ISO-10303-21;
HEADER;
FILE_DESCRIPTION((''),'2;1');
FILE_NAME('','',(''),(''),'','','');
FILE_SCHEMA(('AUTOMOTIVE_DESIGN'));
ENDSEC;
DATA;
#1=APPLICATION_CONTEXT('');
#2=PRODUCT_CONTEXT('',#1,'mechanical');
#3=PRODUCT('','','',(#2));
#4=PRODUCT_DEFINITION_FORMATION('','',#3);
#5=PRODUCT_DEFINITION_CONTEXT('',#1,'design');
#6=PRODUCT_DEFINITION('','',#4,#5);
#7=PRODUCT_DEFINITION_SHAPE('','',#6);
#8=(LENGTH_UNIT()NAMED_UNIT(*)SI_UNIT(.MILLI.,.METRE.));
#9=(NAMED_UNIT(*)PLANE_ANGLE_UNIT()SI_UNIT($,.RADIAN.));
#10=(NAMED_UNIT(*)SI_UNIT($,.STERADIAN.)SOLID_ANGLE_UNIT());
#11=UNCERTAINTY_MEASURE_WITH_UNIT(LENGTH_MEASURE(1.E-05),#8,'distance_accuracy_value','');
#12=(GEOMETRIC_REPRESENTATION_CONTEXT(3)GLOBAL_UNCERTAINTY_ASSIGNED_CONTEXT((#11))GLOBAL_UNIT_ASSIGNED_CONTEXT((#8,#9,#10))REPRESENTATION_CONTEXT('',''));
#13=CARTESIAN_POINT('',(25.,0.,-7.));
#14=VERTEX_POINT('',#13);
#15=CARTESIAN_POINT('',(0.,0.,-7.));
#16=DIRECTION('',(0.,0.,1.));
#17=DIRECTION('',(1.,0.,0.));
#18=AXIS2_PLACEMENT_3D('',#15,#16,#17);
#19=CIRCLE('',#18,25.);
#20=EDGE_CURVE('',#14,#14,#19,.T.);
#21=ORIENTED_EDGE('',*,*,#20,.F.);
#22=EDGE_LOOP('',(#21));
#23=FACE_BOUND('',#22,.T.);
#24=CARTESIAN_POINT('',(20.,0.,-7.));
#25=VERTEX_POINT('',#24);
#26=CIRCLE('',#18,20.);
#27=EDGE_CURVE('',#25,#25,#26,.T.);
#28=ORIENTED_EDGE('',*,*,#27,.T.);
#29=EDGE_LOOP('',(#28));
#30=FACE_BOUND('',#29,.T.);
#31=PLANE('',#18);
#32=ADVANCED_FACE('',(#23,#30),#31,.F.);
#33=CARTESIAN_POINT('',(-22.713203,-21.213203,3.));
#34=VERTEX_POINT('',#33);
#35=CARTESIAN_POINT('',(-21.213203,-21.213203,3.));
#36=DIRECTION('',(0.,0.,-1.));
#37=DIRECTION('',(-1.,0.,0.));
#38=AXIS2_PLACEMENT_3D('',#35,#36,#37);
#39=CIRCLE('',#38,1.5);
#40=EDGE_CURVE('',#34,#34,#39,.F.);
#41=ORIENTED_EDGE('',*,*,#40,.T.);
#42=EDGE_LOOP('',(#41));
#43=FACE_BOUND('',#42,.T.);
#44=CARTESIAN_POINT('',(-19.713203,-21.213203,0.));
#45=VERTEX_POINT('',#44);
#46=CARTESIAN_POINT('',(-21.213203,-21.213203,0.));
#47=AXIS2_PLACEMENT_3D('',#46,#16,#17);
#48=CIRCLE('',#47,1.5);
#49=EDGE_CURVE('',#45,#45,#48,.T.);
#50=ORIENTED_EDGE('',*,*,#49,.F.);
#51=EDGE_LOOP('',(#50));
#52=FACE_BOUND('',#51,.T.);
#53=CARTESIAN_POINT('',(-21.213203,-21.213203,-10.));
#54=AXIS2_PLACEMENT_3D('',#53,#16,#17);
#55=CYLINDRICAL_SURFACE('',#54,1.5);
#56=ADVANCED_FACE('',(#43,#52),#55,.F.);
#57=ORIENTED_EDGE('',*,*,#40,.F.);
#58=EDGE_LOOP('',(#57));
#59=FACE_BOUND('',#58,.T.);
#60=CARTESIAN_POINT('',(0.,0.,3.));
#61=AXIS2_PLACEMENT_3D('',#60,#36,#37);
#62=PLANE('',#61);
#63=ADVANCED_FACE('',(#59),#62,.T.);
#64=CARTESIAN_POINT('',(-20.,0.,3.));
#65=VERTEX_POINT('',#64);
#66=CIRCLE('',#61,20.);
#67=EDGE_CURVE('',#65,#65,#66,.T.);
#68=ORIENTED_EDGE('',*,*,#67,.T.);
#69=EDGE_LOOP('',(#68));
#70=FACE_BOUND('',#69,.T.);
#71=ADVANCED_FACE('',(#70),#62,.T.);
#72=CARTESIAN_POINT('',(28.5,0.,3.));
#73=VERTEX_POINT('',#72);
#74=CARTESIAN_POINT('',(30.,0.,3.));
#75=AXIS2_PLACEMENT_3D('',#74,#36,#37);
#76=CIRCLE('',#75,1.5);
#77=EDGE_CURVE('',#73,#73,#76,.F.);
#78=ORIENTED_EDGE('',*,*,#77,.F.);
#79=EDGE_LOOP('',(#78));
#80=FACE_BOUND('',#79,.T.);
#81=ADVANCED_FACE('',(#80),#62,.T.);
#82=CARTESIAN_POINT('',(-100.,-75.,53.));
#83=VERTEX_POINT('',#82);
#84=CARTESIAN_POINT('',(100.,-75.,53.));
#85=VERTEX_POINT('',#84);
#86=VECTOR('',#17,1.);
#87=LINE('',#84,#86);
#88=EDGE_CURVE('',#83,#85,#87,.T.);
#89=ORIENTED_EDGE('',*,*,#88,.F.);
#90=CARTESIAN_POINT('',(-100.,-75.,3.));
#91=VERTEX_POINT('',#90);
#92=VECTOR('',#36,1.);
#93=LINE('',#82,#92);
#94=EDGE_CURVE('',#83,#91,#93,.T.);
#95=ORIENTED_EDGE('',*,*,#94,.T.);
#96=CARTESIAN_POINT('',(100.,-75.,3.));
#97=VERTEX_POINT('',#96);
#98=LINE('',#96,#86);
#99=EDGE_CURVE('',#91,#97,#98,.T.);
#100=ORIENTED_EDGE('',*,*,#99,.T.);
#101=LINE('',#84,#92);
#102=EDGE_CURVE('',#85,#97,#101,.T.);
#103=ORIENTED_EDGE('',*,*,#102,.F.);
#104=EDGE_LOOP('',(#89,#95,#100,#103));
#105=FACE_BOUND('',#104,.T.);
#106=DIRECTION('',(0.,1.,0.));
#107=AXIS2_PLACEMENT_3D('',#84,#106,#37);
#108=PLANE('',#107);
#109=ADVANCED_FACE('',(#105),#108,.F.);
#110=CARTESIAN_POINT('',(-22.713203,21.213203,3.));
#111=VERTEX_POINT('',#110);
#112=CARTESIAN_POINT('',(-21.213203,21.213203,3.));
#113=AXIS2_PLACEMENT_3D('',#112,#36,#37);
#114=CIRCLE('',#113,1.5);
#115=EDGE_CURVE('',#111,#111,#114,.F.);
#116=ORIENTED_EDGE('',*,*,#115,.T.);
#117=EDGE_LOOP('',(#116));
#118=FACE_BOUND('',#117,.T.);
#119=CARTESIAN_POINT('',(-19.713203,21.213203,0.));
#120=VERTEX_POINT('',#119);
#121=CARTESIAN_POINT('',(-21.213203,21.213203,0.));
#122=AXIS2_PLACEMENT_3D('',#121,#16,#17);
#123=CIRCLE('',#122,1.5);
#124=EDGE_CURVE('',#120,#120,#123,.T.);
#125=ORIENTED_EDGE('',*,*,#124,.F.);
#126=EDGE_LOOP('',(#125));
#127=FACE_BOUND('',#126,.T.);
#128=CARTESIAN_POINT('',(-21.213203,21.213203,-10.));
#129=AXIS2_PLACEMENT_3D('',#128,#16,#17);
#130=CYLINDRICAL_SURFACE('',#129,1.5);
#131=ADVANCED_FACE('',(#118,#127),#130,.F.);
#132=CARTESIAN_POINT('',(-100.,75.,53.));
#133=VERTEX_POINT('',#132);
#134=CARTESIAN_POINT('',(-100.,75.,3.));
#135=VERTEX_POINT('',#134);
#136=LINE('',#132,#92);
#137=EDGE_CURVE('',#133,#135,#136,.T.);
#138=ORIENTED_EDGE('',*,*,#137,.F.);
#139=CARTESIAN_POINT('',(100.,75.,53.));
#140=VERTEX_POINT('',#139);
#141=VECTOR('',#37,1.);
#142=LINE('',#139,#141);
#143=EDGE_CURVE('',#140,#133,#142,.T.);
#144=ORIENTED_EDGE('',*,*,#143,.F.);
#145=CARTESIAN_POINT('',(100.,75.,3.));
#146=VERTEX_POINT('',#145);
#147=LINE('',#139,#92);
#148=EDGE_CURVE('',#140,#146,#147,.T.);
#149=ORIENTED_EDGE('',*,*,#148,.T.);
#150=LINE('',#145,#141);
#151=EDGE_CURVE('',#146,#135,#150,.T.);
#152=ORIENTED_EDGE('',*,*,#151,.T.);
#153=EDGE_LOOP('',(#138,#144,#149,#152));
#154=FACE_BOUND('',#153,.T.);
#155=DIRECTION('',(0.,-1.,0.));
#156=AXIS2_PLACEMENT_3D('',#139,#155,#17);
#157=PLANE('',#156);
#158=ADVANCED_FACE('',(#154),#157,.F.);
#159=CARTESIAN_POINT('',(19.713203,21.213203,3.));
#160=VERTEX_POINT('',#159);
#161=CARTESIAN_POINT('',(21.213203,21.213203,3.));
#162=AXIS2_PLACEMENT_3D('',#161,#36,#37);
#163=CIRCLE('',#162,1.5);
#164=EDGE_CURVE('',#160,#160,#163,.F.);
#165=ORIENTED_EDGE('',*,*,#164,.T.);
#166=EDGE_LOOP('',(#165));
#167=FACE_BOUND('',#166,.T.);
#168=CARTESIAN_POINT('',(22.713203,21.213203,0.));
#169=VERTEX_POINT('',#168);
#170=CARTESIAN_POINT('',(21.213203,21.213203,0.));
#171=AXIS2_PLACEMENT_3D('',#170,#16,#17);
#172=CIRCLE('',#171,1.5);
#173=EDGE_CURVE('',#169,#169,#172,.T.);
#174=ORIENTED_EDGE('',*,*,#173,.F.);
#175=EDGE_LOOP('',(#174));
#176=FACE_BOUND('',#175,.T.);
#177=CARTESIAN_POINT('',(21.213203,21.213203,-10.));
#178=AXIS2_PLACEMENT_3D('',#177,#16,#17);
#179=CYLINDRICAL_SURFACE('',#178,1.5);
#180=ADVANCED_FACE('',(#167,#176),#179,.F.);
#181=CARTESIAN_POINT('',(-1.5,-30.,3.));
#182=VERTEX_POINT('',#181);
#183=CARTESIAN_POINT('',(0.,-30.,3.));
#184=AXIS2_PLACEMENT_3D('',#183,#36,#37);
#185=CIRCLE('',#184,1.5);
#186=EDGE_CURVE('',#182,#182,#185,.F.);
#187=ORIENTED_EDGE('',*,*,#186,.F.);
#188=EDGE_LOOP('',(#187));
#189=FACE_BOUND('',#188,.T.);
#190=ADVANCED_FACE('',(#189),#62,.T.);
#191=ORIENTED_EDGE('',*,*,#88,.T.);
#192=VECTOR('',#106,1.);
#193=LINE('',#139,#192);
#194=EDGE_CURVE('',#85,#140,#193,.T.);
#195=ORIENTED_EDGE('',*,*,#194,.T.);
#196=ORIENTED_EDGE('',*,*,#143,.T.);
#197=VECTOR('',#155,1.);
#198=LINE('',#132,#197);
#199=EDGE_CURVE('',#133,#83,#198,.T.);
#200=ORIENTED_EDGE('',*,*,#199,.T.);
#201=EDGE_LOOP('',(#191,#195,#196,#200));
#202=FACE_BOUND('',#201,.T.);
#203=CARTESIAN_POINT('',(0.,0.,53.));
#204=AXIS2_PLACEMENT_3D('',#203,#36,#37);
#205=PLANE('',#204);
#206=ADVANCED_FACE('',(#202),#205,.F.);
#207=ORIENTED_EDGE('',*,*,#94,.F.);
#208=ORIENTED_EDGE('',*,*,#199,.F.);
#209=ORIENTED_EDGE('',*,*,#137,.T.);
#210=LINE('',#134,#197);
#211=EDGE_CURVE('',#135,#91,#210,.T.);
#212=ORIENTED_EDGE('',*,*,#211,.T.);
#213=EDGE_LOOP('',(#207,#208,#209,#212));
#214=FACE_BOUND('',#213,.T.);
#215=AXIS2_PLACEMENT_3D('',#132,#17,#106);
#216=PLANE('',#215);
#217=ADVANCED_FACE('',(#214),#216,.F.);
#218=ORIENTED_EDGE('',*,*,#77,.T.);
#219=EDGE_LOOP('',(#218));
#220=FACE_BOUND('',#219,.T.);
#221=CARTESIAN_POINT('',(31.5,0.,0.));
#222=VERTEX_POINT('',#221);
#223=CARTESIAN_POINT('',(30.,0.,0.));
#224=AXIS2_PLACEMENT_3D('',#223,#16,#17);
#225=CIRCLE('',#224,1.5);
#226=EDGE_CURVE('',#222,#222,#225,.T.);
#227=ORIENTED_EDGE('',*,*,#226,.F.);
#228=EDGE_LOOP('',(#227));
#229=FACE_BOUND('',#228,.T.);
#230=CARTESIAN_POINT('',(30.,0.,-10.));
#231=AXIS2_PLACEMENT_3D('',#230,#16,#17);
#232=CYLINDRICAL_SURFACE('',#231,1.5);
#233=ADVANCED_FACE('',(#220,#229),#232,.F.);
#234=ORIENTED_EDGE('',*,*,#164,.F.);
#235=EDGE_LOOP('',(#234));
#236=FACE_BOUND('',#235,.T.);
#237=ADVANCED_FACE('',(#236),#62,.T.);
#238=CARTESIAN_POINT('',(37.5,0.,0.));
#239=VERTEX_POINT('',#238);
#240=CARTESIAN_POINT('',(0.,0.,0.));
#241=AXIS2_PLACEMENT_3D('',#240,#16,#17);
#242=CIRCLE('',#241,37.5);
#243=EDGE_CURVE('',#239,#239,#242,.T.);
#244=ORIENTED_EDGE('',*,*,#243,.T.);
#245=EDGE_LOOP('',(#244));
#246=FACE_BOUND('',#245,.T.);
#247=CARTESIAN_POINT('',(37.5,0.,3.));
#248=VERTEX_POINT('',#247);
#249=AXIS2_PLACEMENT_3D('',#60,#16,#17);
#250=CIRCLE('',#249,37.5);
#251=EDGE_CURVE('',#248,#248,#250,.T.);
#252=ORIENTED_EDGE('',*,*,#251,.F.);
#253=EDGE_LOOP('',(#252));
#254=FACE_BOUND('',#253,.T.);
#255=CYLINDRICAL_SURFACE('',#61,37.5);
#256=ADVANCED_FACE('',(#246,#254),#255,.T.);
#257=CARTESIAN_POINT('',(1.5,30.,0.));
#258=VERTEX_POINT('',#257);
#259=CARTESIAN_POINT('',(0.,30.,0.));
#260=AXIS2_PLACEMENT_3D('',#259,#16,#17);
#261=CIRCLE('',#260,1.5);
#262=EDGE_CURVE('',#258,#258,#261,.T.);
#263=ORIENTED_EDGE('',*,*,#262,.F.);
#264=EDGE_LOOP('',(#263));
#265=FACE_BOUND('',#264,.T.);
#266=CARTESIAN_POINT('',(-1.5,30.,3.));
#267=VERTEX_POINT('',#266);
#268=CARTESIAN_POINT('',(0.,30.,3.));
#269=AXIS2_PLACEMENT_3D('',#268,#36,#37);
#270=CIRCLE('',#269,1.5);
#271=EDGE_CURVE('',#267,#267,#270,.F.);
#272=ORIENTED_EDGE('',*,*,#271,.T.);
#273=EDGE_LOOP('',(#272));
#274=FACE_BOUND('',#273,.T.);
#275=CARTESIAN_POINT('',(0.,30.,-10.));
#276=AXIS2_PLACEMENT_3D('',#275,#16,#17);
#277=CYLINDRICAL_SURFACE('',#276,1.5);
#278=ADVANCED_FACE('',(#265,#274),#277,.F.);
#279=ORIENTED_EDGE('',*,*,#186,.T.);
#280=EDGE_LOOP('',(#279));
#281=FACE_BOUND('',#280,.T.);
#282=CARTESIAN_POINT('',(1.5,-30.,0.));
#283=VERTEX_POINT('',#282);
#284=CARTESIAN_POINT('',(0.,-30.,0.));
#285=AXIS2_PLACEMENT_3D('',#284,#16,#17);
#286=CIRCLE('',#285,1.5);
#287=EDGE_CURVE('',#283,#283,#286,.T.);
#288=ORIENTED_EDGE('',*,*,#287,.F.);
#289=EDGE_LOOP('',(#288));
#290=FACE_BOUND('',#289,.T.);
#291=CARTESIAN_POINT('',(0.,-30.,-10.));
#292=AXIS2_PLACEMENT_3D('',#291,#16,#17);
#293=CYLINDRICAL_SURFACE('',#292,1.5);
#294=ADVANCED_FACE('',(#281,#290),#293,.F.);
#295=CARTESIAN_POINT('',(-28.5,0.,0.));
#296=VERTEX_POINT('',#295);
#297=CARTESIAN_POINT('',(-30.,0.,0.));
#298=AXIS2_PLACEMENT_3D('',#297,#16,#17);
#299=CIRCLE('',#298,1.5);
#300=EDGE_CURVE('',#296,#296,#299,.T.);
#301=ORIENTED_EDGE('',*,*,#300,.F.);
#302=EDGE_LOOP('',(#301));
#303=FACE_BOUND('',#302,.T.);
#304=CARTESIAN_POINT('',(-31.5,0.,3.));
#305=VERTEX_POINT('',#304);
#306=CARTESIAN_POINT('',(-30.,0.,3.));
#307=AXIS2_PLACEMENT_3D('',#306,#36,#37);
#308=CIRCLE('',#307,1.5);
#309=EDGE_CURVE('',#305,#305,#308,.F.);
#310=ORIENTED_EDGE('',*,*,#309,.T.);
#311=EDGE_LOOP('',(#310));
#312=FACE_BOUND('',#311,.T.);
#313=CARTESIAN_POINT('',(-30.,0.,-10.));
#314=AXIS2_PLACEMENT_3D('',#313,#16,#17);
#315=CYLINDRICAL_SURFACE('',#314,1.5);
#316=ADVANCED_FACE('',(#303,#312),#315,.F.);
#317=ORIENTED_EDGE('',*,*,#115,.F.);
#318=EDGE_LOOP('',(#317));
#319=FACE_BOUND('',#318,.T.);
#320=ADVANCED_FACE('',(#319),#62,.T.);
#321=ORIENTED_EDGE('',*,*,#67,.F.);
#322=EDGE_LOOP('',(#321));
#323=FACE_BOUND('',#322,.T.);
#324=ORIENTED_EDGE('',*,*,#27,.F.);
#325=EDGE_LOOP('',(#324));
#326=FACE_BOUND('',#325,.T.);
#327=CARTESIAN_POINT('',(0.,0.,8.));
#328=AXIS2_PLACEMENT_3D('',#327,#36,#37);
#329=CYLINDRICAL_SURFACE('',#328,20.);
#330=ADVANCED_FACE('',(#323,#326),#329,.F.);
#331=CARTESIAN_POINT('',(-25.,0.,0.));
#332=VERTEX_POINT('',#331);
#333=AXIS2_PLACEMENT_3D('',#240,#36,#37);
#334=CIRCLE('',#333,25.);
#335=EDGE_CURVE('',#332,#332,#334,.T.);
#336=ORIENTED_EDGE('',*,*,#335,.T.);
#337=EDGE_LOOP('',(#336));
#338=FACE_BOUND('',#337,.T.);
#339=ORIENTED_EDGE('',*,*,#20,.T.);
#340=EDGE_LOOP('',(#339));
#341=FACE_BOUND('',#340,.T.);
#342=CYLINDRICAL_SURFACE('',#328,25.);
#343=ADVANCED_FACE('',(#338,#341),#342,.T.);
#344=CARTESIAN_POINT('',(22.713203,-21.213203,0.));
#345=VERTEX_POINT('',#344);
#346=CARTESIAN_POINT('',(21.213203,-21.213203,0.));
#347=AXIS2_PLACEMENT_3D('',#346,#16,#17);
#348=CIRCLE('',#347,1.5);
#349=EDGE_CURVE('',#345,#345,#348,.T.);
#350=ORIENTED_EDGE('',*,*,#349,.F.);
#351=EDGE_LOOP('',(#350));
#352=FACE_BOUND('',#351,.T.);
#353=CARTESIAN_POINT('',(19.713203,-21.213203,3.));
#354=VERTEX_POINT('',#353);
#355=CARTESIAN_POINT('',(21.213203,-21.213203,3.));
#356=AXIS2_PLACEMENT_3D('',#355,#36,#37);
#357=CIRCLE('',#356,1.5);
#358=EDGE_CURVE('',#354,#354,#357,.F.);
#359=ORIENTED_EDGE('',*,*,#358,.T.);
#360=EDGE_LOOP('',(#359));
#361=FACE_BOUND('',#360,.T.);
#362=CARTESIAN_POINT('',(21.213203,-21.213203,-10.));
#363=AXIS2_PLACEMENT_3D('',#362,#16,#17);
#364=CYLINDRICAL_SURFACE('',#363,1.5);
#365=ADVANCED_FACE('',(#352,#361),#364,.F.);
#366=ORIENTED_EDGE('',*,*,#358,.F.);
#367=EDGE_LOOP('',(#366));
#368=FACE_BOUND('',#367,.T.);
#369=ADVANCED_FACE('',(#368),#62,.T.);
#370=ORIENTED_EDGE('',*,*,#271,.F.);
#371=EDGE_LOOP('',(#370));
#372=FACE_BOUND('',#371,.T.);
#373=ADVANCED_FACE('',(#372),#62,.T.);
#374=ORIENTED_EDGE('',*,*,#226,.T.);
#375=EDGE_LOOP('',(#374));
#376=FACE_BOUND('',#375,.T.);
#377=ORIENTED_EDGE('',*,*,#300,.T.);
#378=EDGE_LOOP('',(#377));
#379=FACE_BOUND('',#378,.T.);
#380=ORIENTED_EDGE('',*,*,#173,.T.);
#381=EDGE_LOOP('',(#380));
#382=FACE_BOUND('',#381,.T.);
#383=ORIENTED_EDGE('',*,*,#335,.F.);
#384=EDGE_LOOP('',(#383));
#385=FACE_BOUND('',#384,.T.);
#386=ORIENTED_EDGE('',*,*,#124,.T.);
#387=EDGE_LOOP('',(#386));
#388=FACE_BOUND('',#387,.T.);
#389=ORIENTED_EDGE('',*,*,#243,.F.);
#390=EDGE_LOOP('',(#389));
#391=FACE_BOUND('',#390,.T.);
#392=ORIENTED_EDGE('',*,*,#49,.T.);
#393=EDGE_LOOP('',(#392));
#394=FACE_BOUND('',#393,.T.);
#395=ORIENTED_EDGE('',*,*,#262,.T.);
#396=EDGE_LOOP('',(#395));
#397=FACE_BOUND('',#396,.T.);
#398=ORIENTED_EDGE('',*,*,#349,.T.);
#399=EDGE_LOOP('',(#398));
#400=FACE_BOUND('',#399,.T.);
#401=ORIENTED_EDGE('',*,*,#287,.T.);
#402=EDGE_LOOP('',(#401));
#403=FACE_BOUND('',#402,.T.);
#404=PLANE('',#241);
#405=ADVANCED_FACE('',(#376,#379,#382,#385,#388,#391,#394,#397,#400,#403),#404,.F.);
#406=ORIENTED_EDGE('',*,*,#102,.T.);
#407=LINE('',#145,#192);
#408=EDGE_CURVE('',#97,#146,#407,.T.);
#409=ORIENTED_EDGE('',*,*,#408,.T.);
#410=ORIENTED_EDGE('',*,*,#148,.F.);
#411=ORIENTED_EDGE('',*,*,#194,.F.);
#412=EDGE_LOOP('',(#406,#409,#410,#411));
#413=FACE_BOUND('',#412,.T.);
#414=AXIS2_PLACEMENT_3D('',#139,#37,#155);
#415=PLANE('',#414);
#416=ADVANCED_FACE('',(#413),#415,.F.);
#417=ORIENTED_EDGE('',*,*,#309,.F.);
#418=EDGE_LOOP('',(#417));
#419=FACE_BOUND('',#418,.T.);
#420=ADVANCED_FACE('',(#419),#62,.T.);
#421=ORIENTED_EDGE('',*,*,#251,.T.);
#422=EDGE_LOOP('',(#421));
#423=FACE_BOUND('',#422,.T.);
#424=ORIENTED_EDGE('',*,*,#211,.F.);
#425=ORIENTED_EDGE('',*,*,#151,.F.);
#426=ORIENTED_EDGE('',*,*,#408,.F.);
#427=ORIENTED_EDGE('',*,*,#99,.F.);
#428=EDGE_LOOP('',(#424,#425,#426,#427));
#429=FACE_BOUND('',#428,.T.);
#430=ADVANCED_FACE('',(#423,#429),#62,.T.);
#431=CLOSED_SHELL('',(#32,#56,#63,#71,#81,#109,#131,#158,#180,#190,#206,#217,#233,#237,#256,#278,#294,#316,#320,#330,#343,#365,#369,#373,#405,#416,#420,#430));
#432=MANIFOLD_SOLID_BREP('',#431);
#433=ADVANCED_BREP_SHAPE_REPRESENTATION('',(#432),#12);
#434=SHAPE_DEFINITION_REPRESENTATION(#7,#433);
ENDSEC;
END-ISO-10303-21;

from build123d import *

# Parameters (mm, degrees)
SKETCH_1_R               = 37.5
EXTRUDE_1_DEPTH          = 3
SKETCH_2_R               = 25
CUT_EXTRUDE_1_DEPTH      = 3
SKETCH_3_R               = 1.5
CUT_EXTRUDE_2_DEPTH      = 13
PATTERN_CIRCULAR_1_COUNT = 8
EXTRUDE_2_DEPTH          = 5
EXTRUDE_2_DEPTH_BACK     = 10
SKETCH_4_R               = 25
SKETCH_4_R_2             = 20
SKETCH_6_W               = 200
SKETCH_6_H               = 150
EXTRUDE_3_DEPTH          = 50


with BuildPart() as part:
    # 草图1 → 凸台-拉伸1 (new body)
    with BuildSketch(Plane.XY):
        Circle(SKETCH_1_R)
    extrude(amount=EXTRUDE_1_DEPTH)

    # 草图2 → 切除-拉伸1 (cut)
    with BuildSketch(Plane(origin=(0, 0, 0), x_dir=(-1, 0, 0), z_dir=(0, 0, -1))):
        Circle(SKETCH_2_R)
    extrude(amount=-CUT_EXTRUDE_1_DEPTH, mode=Mode.SUBTRACT)

    # 草图3 → 切除-拉伸2 (cut)
    with BuildSketch(Plane.XY.offset(3)):
        with Locations((0, -30)):
            Circle(SKETCH_3_R)
    cut_extrude_2 = extrude(amount=-CUT_EXTRUDE_2_DEPTH, mode=Mode.SUBTRACT)

    # 阵列(圆周)1: 切除-拉伸2 ×8 about axis
    pattern_circular_1_axis = Axis((0, 0, 0), (0, 0, 1))
    for i in range(1, PATTERN_CIRCULAR_1_COUNT):
        add(cut_extrude_2.rotate(pattern_circular_1_axis, i * 360 / PATTERN_CIRCULAR_1_COUNT), mode=Mode.SUBTRACT)

    # 草图4 → 凸台-拉伸2 (add, two sides: drawn at the far end of the back side and taken through both)
    with BuildSketch(Plane.XY.offset(3).offset(-EXTRUDE_2_DEPTH_BACK)):
        with Locations(Location((0, 0, 0), (0, 0, 180))):
            Circle(SKETCH_4_R)
        Circle(SKETCH_4_R_2, mode=Mode.SUBTRACT)
    extrude(amount=EXTRUDE_2_DEPTH + EXTRUDE_2_DEPTH_BACK)

    # 草图6 → 凸台-拉伸3 (add)
    with BuildSketch(Plane.XY.offset(3)):
        Rectangle(SKETCH_6_W, SKETCH_6_H)
    extrude(amount=EXTRUDE_3_DEPTH)


solid = part.part
